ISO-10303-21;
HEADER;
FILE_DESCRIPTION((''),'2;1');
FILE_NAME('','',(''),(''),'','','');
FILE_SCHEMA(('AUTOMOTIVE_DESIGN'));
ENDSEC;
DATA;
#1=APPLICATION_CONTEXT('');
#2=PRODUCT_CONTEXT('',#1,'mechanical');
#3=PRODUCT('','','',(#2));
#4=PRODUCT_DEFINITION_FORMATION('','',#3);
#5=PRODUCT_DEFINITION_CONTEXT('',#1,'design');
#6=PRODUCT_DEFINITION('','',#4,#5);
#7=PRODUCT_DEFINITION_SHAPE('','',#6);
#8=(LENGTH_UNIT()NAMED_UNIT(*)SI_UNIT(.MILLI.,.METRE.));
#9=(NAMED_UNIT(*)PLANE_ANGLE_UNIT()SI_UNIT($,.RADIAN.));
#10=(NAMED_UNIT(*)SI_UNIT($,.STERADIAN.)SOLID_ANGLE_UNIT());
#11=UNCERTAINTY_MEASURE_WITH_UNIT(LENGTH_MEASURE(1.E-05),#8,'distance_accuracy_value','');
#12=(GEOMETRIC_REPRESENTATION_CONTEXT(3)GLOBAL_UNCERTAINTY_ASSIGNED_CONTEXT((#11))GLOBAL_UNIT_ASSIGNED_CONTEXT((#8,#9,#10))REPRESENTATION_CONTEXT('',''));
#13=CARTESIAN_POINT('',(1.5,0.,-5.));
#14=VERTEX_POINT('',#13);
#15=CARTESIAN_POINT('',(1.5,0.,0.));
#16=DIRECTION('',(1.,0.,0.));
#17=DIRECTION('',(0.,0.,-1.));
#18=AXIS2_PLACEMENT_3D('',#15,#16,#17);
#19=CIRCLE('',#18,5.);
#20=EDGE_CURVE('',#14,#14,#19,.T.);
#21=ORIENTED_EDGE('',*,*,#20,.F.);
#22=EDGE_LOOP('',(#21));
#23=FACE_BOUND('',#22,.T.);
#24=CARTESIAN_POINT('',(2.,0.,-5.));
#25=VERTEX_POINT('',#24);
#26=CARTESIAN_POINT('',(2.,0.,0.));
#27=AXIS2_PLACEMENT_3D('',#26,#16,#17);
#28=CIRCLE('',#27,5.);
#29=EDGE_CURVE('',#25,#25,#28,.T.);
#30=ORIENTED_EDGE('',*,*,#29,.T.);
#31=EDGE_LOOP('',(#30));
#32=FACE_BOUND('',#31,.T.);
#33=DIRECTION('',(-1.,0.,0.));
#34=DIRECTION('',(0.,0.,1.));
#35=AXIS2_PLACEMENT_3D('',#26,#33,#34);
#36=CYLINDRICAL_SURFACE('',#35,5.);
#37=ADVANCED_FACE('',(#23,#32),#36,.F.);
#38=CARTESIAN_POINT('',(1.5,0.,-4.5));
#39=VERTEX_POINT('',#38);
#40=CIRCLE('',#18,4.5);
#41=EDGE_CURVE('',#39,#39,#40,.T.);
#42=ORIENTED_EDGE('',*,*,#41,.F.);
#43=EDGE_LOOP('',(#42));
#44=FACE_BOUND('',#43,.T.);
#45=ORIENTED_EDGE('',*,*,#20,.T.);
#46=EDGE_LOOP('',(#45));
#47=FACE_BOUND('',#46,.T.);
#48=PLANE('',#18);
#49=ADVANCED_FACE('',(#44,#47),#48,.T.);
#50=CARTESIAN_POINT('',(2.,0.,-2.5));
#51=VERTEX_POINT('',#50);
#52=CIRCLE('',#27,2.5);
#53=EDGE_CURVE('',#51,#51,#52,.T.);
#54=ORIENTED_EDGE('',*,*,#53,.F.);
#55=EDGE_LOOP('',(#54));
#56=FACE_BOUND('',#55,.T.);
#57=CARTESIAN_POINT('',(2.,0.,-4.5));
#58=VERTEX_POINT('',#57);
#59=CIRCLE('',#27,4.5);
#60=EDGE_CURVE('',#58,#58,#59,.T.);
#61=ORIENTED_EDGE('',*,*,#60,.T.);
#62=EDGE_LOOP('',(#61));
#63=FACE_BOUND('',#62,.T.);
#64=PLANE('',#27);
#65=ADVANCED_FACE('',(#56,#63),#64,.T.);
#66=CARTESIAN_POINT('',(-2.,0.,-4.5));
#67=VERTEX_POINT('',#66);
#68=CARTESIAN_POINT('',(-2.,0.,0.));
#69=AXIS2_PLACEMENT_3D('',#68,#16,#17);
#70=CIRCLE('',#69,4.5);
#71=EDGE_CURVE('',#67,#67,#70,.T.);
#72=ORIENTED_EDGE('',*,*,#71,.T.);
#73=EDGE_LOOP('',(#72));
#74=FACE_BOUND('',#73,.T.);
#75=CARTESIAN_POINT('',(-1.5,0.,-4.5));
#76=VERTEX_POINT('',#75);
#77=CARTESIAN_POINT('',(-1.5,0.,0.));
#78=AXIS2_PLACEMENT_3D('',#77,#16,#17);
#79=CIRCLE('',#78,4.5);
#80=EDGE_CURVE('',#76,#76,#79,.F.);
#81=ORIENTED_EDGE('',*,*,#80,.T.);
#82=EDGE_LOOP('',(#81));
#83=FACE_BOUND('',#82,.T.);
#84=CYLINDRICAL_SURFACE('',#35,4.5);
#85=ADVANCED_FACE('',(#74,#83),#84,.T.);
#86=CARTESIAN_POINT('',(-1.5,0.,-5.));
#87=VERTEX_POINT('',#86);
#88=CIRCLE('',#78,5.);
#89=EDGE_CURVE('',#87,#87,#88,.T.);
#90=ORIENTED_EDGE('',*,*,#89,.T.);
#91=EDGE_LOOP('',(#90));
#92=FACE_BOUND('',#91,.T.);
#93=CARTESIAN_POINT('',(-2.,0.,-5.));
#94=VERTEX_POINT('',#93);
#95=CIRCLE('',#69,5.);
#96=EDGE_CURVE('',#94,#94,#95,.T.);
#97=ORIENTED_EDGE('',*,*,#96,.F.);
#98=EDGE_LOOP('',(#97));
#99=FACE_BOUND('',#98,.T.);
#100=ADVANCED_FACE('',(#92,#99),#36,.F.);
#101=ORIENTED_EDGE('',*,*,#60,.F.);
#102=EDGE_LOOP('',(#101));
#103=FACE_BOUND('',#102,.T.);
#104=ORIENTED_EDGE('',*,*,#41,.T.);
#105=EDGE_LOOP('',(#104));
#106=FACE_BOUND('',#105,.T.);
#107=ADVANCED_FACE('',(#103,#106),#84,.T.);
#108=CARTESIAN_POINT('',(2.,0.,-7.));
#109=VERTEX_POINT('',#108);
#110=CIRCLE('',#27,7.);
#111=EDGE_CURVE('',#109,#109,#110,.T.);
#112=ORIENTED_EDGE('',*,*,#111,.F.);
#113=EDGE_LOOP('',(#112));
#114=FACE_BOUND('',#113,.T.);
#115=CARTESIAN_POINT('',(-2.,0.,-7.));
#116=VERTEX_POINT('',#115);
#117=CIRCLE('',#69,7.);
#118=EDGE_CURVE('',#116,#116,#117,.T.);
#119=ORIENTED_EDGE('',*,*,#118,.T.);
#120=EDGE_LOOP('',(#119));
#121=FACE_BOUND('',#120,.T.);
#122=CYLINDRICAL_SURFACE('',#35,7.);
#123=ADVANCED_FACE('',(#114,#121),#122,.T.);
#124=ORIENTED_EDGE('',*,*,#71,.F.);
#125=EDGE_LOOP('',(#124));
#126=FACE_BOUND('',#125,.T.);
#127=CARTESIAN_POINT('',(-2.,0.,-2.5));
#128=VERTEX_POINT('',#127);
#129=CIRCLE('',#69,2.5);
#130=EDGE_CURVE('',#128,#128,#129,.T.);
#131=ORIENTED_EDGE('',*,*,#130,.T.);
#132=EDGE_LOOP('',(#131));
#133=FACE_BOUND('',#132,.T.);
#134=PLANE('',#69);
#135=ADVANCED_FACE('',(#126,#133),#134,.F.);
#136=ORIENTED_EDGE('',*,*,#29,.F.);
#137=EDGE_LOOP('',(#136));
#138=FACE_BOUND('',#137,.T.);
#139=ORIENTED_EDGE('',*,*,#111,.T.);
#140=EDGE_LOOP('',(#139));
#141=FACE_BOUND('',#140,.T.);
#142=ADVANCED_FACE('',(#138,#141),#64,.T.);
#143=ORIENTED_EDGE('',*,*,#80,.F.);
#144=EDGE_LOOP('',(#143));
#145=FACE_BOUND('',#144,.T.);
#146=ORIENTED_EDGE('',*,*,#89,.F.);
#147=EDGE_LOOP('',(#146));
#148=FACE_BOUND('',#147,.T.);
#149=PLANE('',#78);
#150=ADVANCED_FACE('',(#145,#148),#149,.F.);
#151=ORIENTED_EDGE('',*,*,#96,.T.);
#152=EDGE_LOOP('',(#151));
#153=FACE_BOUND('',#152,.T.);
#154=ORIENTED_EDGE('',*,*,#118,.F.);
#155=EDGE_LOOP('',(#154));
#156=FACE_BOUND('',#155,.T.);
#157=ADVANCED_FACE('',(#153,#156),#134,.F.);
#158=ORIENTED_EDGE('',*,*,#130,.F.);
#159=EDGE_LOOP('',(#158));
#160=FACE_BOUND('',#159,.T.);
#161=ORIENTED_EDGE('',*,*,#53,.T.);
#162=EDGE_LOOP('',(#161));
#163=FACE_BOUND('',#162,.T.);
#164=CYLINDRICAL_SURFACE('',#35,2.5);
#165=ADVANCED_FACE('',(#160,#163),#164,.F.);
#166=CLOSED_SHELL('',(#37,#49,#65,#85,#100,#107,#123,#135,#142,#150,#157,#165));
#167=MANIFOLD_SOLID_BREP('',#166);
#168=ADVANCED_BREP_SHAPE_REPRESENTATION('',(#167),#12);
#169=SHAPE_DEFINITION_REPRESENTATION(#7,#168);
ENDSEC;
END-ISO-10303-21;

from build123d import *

# Parameters (mm, degrees)
SKETCH2_R           = 7
SKETCH2_R_2         = 5
BOSS_EXTRUDE1_DEPTH = 2
SKETCH2_3_R         = 5
SKETCH2_3_R_2       = 4.5
BOSS_EXTRUDE2_DEPTH = 1.5
SKETCH2_4_R         = 4.5
SKETCH2_4_R_2       = 2.5
BOSS_EXTRUDE3_DEPTH = 2


with BuildPart() as part:
    # Sketch2 → Boss-Extrude1 (new, symmetric)
    with BuildSketch(Plane(origin=(0, 0, 0), x_dir=(0, 0, -1), z_dir=(1, 0, 0))):
        Circle(SKETCH2_R)
        Circle(SKETCH2_R_2, mode=Mode.SUBTRACT)
    extrude(amount=BOSS_EXTRUDE1_DEPTH, both=True)

    # Sketch2<3> → Boss-Extrude2 (add, symmetric)
    with BuildSketch(Plane(origin=(0, 0, 0), x_dir=(0, 0, -1), z_dir=(1, 0, 0))):
        Circle(SKETCH2_3_R)
        Circle(SKETCH2_3_R_2, mode=Mode.SUBTRACT)
    extrude(amount=BOSS_EXTRUDE2_DEPTH, both=True)

    # Sketch2<4> → Boss-Extrude3 (add, symmetric)
    with BuildSketch(Plane(origin=(0, 0, 0), x_dir=(0, 0, -1), z_dir=(1, 0, 0))):
        Circle(SKETCH2_4_R)
        Circle(SKETCH2_4_R_2, mode=Mode.SUBTRACT)
    extrude(amount=BOSS_EXTRUDE3_DEPTH, both=True)


solid = part.part
